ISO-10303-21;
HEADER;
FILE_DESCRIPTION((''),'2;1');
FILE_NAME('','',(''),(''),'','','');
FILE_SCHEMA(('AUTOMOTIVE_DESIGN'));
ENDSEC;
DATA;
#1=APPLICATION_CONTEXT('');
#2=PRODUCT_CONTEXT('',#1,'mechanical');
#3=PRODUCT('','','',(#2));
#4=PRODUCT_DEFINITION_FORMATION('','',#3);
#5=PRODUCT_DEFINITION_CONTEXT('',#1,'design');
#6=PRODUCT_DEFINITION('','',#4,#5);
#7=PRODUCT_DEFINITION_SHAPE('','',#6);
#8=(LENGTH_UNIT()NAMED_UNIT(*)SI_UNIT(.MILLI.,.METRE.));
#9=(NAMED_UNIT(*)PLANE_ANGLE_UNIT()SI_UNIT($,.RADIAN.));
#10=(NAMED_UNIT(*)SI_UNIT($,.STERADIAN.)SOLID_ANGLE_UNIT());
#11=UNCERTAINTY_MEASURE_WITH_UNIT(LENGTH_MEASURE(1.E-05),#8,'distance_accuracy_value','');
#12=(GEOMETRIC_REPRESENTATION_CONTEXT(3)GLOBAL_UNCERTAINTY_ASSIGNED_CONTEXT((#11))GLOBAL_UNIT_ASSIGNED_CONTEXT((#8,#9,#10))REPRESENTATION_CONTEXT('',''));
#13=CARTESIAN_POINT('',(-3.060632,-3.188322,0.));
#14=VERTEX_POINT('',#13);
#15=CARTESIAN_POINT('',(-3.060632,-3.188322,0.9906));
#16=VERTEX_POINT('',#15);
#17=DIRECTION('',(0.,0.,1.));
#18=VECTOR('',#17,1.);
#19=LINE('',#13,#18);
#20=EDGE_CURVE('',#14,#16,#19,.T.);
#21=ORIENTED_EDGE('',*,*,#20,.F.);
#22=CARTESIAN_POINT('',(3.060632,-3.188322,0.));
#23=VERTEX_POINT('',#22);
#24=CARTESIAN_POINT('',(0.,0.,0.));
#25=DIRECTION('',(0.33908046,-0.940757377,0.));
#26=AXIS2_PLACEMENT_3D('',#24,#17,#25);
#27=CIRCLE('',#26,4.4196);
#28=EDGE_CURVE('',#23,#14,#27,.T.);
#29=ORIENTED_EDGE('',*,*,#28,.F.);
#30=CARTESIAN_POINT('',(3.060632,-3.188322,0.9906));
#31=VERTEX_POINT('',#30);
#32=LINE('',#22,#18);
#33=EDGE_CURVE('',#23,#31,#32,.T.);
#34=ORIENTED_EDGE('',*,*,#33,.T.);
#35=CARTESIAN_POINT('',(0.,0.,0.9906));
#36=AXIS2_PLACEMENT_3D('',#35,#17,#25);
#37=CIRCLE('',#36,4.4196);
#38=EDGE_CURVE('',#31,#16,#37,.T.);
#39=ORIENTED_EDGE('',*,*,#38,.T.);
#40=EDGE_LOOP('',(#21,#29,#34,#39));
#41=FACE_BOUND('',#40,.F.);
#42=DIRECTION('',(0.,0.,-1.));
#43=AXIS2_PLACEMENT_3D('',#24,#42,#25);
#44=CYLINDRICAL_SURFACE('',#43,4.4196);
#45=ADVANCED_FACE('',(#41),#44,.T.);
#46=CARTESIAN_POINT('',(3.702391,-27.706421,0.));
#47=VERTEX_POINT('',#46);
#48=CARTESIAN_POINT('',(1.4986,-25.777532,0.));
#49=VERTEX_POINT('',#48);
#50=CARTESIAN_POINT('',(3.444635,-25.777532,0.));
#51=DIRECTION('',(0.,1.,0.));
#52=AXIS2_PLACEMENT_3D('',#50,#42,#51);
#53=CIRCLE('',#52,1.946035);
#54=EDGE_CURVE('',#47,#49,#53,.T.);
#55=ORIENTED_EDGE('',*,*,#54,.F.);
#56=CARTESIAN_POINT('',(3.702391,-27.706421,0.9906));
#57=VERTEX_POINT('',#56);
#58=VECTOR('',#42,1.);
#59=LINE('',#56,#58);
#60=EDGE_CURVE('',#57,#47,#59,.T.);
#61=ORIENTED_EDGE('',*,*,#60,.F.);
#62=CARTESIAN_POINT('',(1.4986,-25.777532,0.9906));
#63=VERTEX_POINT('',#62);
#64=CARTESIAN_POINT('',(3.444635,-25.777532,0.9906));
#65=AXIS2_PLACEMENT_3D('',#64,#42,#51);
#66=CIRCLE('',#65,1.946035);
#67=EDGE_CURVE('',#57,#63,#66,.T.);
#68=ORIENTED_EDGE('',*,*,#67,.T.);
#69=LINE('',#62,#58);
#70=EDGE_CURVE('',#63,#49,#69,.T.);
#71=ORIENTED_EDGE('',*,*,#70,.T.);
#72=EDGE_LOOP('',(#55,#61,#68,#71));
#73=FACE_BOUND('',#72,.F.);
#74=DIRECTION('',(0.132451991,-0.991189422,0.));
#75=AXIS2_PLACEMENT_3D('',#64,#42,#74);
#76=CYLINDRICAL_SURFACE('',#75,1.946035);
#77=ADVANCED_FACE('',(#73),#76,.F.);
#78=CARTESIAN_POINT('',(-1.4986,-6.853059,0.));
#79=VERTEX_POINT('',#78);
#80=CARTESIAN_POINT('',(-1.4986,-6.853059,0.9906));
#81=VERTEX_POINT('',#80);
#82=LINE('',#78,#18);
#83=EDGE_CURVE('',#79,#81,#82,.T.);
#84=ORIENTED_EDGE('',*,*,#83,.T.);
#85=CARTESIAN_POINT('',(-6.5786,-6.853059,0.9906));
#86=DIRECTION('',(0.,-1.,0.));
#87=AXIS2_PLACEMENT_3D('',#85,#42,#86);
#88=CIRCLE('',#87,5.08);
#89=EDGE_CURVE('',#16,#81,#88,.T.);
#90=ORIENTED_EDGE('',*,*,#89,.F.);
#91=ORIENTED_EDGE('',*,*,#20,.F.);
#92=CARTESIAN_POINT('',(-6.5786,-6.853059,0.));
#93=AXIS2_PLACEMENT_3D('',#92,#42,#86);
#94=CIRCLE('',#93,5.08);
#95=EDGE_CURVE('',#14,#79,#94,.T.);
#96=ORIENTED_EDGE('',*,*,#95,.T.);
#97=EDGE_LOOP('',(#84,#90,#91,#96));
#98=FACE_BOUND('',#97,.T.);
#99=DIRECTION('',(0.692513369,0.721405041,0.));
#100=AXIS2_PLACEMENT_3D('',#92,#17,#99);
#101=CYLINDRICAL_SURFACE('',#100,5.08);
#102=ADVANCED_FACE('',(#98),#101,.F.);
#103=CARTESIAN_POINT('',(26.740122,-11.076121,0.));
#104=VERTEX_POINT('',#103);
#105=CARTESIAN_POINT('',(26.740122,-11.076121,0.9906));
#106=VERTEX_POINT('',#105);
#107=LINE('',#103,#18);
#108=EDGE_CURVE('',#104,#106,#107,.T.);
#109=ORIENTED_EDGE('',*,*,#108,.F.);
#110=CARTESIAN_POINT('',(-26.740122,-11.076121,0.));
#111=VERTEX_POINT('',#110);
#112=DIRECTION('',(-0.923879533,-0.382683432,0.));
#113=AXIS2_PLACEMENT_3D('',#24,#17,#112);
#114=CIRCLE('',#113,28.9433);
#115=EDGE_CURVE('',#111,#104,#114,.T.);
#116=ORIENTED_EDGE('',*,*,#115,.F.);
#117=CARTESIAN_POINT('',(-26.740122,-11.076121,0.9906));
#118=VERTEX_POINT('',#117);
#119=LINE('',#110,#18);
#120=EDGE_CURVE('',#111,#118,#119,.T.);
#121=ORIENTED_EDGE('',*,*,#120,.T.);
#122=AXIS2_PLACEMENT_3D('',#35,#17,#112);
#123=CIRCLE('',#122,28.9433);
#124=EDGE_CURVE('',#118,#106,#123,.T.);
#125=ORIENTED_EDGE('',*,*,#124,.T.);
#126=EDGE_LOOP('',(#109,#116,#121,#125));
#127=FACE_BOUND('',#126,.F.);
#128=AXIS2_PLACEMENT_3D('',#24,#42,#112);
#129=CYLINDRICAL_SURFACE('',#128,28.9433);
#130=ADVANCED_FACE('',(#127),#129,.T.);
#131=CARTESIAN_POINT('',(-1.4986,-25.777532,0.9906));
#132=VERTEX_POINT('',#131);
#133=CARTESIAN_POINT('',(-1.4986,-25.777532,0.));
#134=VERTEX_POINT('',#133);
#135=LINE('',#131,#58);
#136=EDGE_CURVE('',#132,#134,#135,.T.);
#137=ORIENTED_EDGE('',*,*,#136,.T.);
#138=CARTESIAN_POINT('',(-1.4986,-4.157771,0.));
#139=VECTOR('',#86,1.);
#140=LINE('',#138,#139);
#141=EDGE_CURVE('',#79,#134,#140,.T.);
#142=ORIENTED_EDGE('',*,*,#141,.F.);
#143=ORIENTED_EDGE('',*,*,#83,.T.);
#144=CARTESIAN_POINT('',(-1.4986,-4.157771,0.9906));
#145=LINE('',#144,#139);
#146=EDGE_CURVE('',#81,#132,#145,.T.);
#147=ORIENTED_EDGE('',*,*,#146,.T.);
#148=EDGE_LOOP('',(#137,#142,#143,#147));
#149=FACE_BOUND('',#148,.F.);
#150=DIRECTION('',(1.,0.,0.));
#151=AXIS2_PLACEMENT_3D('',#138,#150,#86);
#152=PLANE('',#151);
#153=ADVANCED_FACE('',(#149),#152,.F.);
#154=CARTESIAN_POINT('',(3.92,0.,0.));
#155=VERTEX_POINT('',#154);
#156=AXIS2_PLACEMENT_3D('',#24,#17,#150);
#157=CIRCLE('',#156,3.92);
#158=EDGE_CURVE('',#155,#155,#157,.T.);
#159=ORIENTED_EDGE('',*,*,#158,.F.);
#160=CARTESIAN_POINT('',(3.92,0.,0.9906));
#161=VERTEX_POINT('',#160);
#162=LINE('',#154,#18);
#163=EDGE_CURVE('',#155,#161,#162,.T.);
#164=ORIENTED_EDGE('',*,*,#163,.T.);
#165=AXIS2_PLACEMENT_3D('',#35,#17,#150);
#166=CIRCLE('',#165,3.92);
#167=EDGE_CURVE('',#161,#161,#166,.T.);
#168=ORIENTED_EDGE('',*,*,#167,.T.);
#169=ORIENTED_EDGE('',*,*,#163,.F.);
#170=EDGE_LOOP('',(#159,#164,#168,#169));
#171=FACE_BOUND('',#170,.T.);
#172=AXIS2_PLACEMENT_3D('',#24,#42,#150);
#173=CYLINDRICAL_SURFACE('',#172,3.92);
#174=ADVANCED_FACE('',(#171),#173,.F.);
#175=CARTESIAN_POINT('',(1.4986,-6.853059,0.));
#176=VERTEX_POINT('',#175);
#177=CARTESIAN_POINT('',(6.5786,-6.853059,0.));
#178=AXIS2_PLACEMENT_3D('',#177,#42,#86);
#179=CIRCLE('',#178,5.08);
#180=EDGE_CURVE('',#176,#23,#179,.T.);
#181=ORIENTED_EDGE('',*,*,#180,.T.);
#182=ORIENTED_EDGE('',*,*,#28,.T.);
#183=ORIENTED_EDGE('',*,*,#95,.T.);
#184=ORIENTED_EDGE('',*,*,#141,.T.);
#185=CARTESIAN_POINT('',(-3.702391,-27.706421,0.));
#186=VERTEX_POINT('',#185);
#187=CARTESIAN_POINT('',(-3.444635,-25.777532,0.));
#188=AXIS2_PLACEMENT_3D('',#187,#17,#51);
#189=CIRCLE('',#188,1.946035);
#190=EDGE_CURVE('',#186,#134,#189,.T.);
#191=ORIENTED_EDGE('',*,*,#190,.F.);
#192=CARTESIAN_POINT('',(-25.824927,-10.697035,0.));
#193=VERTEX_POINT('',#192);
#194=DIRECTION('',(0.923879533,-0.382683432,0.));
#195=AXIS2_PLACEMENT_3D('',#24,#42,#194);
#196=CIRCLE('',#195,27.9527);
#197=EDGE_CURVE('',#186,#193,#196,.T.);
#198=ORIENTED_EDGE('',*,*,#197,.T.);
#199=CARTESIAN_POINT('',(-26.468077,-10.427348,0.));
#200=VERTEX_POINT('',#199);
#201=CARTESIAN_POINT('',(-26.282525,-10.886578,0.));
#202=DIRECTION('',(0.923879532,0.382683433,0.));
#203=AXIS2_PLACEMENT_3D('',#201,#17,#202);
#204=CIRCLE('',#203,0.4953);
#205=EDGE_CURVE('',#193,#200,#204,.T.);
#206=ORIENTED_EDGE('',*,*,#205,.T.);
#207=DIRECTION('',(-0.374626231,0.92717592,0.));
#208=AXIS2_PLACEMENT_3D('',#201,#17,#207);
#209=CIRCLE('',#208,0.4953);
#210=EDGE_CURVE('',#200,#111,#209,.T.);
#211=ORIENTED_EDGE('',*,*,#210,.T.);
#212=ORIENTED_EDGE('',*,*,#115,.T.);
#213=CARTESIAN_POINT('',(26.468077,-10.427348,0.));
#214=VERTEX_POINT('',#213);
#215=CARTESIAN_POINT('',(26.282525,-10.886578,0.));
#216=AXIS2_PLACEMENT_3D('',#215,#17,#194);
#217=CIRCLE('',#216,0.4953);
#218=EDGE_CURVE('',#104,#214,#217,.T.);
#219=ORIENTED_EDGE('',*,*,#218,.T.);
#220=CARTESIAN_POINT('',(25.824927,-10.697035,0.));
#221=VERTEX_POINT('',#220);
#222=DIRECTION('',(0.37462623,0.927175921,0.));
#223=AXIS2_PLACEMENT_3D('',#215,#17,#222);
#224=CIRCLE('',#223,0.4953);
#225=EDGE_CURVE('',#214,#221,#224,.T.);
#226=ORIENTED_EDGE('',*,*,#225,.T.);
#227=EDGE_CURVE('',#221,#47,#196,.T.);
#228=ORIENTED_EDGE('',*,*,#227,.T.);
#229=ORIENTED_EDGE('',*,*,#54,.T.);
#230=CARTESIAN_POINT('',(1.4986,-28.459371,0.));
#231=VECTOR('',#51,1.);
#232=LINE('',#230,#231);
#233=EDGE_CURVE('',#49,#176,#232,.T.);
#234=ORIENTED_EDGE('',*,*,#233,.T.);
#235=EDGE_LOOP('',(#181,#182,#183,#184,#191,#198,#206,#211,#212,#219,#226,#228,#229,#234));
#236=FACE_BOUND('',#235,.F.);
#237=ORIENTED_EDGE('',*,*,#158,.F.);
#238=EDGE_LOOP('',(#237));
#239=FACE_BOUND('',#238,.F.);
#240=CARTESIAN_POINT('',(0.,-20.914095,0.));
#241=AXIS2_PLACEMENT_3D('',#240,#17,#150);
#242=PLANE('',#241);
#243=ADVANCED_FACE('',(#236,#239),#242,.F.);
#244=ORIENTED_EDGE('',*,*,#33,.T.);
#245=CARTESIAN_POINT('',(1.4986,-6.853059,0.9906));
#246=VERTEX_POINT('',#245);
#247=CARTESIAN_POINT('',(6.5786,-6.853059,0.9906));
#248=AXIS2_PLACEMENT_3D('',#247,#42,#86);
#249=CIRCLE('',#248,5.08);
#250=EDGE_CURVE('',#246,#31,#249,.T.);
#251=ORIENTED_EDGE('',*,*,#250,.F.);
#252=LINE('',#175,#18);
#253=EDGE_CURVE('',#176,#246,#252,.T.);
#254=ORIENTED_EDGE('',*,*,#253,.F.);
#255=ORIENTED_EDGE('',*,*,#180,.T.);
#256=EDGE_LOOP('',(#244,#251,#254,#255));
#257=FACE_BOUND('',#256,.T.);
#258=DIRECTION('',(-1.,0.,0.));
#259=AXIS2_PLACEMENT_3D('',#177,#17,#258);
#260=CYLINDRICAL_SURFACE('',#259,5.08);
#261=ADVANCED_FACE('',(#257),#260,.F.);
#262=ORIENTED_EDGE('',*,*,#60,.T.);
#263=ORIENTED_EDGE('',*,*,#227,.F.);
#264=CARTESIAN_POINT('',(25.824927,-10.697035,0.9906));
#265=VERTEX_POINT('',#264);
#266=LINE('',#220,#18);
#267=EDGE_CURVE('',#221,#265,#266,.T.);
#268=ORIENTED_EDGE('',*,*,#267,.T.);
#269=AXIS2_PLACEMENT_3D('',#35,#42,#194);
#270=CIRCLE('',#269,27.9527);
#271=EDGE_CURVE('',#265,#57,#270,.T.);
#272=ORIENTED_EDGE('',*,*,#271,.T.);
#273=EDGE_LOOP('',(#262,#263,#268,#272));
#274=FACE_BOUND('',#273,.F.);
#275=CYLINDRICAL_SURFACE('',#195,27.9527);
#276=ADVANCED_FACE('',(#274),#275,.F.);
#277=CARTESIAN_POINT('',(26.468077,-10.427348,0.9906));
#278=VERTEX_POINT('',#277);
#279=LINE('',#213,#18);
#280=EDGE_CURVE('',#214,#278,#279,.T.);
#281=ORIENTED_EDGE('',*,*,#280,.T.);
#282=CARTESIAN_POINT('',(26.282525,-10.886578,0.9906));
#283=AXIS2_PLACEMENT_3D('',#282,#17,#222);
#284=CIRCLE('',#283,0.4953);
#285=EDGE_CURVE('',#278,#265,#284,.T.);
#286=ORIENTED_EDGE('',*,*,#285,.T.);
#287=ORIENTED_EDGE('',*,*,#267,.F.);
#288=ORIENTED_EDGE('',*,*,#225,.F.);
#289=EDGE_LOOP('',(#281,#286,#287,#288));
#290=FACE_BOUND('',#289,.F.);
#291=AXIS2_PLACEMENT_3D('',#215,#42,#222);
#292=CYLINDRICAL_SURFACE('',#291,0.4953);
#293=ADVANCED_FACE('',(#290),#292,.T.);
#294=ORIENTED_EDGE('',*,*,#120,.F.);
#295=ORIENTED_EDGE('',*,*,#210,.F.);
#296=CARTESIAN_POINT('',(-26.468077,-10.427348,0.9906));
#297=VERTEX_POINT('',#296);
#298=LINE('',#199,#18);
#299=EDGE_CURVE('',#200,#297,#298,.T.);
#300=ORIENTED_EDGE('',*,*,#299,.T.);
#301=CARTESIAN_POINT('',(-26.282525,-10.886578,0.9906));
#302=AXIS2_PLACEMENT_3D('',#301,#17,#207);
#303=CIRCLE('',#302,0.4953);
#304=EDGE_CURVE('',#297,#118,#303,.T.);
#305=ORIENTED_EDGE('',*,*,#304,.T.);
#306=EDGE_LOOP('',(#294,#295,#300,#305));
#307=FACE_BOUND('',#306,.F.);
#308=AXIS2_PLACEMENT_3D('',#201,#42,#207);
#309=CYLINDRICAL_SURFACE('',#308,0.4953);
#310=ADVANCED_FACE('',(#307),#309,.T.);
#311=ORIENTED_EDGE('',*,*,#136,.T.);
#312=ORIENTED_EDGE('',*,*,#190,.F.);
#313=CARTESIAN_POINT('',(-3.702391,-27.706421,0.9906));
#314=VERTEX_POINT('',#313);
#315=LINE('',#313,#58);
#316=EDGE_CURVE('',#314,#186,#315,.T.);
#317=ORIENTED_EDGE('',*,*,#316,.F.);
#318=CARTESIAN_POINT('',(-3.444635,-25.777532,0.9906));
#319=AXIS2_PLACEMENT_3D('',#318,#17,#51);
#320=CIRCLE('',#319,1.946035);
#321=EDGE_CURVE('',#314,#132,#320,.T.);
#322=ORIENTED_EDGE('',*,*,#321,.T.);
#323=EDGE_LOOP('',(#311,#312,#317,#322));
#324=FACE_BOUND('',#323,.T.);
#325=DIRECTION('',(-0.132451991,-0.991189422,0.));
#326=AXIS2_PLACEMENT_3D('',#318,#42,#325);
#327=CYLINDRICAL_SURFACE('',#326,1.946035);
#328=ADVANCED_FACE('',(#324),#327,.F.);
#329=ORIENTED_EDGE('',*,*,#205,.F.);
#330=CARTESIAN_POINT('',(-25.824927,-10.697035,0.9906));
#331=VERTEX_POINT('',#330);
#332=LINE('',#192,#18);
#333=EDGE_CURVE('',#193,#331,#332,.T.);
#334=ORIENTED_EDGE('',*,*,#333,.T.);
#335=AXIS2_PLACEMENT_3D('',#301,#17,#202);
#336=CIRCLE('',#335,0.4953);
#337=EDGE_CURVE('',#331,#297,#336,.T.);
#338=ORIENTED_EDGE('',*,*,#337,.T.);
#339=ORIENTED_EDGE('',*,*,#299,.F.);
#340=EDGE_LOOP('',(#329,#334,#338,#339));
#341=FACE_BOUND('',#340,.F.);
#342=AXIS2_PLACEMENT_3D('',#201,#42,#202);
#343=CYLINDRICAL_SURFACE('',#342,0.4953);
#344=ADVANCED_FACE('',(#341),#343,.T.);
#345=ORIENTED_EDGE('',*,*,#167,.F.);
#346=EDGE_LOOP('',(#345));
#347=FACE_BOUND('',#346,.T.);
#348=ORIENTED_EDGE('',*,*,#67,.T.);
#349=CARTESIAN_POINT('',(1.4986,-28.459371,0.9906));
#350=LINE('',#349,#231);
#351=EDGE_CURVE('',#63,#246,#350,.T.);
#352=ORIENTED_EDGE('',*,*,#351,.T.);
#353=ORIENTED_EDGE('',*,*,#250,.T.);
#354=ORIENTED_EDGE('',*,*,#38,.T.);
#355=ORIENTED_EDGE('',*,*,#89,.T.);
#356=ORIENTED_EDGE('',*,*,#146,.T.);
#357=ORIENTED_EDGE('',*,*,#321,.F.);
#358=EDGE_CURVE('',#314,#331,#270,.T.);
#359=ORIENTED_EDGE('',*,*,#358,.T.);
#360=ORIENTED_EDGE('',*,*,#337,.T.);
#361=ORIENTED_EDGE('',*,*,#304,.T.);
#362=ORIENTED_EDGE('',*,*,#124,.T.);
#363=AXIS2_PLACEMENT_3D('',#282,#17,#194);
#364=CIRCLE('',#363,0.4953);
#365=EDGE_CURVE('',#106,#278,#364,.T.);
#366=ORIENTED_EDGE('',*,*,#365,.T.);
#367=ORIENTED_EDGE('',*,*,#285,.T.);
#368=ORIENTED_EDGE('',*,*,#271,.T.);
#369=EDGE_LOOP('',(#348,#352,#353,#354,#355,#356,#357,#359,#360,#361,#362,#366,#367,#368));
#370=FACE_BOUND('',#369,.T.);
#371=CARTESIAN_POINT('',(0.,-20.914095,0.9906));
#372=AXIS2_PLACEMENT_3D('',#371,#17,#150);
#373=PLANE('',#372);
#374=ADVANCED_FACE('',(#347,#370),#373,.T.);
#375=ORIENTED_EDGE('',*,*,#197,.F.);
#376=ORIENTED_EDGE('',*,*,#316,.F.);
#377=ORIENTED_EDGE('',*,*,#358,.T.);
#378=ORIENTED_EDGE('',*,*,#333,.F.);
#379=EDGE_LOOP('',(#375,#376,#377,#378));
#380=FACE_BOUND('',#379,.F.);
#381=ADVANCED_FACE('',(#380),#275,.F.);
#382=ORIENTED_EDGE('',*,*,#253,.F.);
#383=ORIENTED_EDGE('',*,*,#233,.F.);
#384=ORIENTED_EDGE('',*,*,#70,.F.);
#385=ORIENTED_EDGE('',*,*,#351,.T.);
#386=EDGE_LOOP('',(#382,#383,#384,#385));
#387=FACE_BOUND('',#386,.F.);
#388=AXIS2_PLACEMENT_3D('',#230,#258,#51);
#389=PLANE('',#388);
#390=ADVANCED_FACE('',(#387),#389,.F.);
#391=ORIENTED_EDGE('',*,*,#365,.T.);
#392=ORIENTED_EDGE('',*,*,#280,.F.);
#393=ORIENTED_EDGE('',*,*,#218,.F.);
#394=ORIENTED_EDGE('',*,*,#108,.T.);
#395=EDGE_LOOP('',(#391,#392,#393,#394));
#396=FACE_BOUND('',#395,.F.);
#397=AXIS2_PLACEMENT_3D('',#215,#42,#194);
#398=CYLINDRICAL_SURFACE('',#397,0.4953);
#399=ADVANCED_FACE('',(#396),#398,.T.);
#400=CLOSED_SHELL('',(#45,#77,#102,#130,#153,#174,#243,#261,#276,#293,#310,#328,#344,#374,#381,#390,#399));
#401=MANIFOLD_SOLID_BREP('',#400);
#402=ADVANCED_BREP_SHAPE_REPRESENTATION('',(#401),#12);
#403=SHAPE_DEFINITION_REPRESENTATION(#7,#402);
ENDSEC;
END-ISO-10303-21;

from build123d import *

# Parameters (mm, degrees)
F0_R     = 3.92
F2_DEPTH = 0.9906
F3_R     = 5.08
F4_DEPTH = 0.9906
F5_R     = 1.9460346085


with BuildPart() as f2:
    # F0 (on Top) → F2 (new body)
    with BuildSketch(Plane.XY):
        with BuildLine():
            Line((1.4986, -28.459371031), (1.4986, -4.157771302))
            ThreePointArc((1.4986, -4.157771302), (0, 4.4196), (-1.4986, -4.157771302))
            Line((-1.4986, -4.157771302), (-1.4986, -28.459371031))
            Line((-1.4986, -28.459371031), (1.4986, -28.459371031))
        make_face()
        Circle(F0_R, mode=Mode.SUBTRACT)
    extrude(amount=F2_DEPTH)

    # F3
    f3_edges = [f2.edges().sort_by_distance(p)[0] for p in [
        (1.4986, -4.157771, 0.4953),
        (-1.4986, -4.157771, 0.4953),
    ]]
    fillet(f3_edges, radius=F3_R)

    # F1 (on Top) → F4 (join)
    with BuildSketch(Plane.XY):
        with BuildLine():
            ThreePointArc((26.7401224733, -11.076121388), (26.7392931104, -10.6950451816), (26.4680773128, -10.4273480505))
            ThreePointArc((26.4680773128, -10.4273480505), (26.0909918386, -10.4298101144), (25.8249274084, -10.6970351799))
            ThreePointArc((25.8249274084, -10.6970351799), (0, -27.9527), (-25.8249274084, -10.6970351799))
            ThreePointArc((-25.8249274084, -10.6970351799), (-26.0909918386, -10.4298101144), (-26.4680773128, -10.4273480505))
            ThreePointArc((-26.4680773128, -10.4273480505), (-26.7392931104, -10.6950451816), (-26.7401224733, -11.076121388))
            ThreePointArc((-26.7401224733, -11.076121388), (0, -28.9433), (26.7401224733, -11.076121388))
        make_face()
    extrude(amount=F4_DEPTH)

    # F5
    f5_edges = [f2.edges().sort_by_distance(p)[0] for p in [
        (1.4986, -27.9125, 0.4953),
        (-1.4986, -27.9125, 0.4953),
    ]]
    fillet(f5_edges, radius=F5_R)


solid = f2.part
